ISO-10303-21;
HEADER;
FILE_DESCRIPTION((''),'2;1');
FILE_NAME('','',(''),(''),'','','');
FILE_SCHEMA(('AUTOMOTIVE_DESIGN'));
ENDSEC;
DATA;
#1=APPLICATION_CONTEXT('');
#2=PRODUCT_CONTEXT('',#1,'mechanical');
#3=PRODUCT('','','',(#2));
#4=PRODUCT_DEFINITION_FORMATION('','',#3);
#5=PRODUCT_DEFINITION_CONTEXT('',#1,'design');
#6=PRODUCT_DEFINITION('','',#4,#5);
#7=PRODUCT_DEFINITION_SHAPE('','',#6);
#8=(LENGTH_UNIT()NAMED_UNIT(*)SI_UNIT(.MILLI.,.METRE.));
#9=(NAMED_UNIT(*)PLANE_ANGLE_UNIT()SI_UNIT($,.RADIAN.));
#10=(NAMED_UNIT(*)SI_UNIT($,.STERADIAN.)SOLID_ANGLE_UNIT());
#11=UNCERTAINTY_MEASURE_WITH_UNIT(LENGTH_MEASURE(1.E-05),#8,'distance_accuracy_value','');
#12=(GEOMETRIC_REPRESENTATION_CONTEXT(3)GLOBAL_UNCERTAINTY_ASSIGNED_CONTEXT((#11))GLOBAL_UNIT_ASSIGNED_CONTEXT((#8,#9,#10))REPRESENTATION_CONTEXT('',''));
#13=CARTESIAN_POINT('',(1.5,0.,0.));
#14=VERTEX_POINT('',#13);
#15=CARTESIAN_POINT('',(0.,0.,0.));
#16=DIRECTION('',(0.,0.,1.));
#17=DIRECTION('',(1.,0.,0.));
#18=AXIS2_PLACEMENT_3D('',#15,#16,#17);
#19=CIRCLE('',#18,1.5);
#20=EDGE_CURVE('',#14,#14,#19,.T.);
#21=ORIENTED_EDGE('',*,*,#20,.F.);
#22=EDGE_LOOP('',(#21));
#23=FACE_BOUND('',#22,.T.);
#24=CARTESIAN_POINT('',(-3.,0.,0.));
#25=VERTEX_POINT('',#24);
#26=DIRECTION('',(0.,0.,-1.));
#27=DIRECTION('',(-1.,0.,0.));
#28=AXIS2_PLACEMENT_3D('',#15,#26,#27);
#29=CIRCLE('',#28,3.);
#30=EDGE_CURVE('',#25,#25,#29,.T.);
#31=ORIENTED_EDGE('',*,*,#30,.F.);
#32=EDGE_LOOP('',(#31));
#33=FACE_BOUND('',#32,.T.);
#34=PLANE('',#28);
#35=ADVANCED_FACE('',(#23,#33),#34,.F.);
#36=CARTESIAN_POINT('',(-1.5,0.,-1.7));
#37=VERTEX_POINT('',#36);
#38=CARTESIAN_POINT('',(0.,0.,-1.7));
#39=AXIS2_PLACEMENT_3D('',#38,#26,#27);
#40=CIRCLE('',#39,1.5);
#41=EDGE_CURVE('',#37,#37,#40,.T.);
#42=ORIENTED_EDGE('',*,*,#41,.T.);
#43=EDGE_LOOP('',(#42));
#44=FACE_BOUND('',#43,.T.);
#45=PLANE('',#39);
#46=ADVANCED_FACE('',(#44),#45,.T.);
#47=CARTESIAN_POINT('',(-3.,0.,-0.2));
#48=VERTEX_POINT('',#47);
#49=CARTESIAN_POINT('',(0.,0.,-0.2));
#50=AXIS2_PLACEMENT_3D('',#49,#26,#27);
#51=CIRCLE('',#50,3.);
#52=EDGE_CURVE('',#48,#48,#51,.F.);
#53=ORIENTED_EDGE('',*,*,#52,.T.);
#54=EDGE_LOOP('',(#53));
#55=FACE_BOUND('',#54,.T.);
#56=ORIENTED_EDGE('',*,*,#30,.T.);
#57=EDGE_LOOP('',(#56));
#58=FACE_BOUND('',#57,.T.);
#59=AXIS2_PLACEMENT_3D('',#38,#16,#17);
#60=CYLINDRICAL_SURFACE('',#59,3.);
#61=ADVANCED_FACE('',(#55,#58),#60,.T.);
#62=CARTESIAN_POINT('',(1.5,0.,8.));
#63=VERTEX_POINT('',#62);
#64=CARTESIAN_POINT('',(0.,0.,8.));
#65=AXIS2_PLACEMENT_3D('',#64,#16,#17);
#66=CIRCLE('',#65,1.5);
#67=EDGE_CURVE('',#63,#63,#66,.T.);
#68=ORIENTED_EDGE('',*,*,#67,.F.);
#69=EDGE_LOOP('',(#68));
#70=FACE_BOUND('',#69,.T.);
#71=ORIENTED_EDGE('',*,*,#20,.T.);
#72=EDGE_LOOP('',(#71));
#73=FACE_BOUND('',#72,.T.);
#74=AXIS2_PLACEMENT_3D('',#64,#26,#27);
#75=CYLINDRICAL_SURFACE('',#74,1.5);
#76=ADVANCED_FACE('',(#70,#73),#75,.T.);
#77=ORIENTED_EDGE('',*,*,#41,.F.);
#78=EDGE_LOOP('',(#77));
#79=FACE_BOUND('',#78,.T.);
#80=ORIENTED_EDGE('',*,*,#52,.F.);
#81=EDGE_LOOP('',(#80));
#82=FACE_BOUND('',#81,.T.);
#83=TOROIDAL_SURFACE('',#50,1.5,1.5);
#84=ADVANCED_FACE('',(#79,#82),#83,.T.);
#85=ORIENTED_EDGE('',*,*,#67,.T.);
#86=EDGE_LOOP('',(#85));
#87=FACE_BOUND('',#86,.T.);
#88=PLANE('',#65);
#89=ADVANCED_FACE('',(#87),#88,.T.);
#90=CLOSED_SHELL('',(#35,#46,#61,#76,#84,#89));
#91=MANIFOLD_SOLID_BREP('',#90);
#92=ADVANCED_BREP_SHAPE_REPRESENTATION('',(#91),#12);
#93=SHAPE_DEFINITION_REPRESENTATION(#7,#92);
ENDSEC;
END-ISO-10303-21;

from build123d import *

# Parameters (mm, degrees)
SKETCH_1_R      = 1.5
EXTRUDE_1_DEPTH = 8
SKETCH_2_R      = 3
EXTRUDE_2_DEPTH = 1.7
FILLET_1_R      = 1.5


with BuildPart() as part:
    # Sketch 1 → 凸台-拉伸1 (new body)
    with BuildSketch(Plane.XY):
        Circle(SKETCH_1_R)
    extrude(amount=EXTRUDE_1_DEPTH)

    # 草图2 → 凸台-拉伸2 (add)
    with BuildSketch(Plane(origin=(0, 0, 0), x_dir=(-1, 0, 0), z_dir=(0, 0, -1))):
        Circle(SKETCH_2_R)
    extrude(amount=EXTRUDE_2_DEPTH)

    # 圆角1
    fillet_1_edges = [part.edges().sort_by_distance(p)[0] for p in [
        (3, 0, -1.7),
    ]]
    fillet(fillet_1_edges, radius=FILLET_1_R)


solid = part.part
